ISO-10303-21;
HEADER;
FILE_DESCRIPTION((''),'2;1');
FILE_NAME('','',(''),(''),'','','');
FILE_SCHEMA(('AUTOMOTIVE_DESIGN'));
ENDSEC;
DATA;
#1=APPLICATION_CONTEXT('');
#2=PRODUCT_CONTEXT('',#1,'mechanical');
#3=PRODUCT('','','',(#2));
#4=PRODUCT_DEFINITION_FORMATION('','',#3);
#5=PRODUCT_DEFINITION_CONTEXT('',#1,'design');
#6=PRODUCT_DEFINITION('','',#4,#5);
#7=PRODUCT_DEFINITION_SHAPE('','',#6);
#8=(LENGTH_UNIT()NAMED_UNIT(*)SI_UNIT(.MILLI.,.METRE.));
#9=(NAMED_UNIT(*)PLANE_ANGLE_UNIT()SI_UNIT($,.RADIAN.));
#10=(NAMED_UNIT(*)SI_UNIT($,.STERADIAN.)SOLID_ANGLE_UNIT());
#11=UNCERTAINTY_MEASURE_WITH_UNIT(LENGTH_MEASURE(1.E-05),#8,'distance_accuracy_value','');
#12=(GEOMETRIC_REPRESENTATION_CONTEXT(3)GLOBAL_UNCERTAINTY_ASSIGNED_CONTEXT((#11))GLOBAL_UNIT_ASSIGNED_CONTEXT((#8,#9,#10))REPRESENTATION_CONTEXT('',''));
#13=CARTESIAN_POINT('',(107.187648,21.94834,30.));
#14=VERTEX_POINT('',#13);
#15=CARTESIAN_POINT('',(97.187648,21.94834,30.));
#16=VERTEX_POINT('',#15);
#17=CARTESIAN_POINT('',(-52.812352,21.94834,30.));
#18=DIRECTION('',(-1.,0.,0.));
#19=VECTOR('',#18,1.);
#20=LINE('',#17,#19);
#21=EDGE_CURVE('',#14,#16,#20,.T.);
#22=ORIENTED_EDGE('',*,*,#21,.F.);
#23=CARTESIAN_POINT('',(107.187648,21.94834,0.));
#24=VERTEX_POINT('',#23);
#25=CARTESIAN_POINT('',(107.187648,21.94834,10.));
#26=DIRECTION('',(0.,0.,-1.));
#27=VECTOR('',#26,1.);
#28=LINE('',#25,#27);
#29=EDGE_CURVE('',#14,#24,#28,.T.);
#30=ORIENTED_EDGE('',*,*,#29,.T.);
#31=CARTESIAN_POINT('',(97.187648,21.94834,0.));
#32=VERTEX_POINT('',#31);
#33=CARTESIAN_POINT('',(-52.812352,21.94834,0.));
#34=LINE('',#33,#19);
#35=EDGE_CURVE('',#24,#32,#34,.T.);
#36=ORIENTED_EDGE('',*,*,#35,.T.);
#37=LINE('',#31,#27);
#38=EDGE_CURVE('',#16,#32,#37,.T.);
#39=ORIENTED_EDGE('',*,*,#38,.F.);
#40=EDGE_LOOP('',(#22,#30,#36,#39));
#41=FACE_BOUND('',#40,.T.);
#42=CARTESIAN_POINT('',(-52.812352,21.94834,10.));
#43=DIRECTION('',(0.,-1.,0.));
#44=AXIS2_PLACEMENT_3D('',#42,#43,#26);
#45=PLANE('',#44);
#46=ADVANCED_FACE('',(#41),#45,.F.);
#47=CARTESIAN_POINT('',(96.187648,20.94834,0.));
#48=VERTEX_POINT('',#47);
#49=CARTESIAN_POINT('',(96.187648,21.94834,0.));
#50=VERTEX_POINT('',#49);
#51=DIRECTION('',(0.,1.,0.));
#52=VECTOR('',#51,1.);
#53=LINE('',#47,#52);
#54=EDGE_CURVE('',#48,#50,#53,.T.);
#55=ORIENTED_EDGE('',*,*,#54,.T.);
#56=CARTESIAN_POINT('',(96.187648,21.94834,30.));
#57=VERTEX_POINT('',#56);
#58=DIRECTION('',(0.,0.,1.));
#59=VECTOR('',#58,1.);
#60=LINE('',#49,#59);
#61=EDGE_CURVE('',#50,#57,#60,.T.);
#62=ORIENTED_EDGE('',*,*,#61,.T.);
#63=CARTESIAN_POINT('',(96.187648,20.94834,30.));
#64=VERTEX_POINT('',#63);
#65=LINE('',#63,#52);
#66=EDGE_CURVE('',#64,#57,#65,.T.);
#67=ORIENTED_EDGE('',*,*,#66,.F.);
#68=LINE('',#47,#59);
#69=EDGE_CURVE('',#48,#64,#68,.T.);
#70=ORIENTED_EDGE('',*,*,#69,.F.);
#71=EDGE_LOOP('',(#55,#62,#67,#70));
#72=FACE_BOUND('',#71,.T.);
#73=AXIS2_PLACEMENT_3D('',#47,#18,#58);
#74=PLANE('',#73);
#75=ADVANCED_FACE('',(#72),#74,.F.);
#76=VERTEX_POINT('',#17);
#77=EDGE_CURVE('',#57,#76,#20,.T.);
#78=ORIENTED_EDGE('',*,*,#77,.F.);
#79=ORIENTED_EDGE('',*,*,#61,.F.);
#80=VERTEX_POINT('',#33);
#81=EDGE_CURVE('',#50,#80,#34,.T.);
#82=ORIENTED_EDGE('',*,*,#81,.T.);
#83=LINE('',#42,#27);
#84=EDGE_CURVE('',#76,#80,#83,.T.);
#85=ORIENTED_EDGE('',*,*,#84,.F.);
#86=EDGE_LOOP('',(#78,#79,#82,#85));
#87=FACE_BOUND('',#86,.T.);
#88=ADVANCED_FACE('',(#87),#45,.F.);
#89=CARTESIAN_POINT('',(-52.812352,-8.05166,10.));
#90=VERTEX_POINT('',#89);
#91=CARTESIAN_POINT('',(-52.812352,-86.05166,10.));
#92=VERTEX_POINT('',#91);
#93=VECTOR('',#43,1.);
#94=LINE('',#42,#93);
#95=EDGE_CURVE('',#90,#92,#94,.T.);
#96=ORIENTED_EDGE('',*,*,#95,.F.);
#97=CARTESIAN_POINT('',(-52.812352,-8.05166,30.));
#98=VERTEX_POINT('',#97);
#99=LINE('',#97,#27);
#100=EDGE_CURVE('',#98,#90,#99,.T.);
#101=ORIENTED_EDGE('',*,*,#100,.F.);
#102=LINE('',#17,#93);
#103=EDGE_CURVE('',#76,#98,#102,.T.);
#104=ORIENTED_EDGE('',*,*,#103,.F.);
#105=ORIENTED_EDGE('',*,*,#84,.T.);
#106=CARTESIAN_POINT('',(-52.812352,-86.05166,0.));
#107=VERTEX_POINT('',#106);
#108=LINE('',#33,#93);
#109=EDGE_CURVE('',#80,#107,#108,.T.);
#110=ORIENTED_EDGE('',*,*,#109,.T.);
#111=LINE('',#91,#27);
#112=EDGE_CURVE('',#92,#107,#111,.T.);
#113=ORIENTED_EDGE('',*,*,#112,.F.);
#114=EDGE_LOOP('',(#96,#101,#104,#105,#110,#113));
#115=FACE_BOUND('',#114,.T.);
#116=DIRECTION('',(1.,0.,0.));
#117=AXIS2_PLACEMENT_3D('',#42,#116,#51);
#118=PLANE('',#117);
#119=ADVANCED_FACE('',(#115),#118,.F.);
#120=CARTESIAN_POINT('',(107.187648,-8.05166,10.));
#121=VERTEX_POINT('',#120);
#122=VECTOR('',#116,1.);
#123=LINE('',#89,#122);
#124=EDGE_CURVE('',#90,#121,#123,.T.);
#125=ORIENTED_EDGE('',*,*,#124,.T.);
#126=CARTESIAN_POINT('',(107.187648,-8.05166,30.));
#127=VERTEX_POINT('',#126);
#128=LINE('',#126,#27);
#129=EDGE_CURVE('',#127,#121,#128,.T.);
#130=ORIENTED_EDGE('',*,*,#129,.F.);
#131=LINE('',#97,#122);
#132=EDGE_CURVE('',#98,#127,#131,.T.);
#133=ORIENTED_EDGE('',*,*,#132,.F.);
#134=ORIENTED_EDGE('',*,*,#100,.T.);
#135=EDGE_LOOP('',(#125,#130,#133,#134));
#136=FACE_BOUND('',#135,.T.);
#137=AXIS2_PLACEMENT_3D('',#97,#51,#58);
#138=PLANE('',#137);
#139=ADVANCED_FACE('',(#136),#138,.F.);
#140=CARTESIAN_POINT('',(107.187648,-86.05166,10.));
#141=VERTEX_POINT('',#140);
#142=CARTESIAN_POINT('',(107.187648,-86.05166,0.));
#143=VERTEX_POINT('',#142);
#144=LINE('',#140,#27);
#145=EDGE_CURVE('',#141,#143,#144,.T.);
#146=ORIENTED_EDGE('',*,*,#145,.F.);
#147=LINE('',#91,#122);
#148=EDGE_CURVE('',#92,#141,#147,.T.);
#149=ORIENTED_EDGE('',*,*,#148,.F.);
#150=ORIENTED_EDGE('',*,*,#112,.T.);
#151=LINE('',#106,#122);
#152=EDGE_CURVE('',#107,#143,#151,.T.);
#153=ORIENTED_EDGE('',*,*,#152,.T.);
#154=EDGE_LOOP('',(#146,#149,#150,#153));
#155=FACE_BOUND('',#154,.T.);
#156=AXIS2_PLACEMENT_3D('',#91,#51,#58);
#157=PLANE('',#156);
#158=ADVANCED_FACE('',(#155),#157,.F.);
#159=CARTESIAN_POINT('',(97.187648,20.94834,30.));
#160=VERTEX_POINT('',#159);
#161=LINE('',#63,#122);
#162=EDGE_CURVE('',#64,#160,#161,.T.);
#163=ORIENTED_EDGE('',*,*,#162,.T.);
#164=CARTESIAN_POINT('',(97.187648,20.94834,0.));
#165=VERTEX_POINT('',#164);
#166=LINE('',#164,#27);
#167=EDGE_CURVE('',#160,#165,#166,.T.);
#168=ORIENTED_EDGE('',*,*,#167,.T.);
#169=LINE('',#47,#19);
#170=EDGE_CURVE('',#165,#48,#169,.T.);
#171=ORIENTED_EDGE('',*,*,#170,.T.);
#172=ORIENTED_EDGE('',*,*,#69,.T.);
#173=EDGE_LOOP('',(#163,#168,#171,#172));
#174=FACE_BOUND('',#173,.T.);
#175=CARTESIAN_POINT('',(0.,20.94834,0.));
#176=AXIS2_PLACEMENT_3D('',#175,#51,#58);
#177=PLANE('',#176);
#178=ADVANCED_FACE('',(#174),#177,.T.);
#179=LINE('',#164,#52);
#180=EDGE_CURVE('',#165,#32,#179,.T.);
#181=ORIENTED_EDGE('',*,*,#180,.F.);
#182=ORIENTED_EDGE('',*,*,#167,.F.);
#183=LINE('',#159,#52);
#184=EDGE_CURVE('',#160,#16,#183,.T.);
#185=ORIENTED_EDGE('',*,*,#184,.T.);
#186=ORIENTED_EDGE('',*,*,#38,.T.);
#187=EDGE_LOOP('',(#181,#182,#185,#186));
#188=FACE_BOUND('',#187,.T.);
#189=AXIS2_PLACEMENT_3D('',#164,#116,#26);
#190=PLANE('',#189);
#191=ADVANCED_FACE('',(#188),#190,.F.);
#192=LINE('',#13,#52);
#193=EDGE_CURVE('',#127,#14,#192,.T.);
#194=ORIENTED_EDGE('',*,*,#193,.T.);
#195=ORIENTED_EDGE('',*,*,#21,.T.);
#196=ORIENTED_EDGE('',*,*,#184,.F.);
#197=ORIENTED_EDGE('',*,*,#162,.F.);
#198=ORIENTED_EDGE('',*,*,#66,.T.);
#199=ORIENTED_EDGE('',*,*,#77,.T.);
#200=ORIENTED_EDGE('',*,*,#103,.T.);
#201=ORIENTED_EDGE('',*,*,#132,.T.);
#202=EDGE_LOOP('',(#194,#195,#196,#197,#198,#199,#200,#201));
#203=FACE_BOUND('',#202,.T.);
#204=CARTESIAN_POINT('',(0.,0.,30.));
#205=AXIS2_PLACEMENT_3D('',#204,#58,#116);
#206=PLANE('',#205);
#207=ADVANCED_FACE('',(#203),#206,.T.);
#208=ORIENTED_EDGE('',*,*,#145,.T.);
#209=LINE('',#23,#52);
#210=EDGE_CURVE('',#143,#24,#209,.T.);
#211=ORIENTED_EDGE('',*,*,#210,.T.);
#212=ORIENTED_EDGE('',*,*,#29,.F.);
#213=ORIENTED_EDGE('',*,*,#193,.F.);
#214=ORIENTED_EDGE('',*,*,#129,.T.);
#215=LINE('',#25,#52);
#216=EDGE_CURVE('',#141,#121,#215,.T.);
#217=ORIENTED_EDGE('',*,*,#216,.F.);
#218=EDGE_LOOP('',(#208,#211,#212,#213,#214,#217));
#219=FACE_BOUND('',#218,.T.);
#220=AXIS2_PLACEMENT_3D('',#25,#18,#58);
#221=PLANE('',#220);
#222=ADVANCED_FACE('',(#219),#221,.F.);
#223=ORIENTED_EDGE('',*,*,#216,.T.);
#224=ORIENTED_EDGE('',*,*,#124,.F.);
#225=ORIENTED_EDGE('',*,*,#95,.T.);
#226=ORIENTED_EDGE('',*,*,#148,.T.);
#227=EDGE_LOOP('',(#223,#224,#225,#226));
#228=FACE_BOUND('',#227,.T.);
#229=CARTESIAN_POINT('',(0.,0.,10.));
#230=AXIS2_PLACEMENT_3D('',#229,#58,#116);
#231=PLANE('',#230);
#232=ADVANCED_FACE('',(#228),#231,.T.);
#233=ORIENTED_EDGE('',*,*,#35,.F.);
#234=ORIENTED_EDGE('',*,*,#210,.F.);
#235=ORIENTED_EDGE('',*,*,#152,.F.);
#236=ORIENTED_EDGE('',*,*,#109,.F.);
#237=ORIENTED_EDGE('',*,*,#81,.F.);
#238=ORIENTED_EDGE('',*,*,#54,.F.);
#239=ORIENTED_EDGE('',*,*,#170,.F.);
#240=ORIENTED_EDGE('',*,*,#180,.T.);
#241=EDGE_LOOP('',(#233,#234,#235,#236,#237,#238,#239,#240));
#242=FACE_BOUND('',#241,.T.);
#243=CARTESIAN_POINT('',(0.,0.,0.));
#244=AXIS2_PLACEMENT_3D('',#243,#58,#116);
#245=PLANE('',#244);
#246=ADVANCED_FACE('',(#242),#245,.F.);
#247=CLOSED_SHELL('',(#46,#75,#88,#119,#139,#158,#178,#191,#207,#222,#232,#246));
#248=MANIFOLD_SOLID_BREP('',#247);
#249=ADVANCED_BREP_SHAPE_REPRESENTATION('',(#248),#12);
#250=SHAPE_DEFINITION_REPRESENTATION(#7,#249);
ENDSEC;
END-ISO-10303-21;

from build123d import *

# Parameters (mm, degrees)
ESQUISSE1_W             = 160
ESQUISSE1_H             = 108
BOSS_EXTRU_1_DEPTH      = 10
ESQUISSE2_W             = 160
ESQUISSE2_H             = 30
BOSS_EXTRU_2_DEPTH      = 20
ESQUISSE3_W             = 1
ESQUISSE3_H             = 30
ENL_V_MAT_EXTRU_1_DEPTH = 1


with BuildPart() as part:
    # Esquisse1 → Boss.-Extru.1 (new body)
    with BuildSketch(Plane.XY):
        with Locations((27.187647666, -32.051659751)):
            Rectangle(ESQUISSE1_W, ESQUISSE1_H)
    extrude(amount=BOSS_EXTRU_1_DEPTH)

    # Esquisse2 → Boss.-Extru.2 (add)
    with BuildSketch(Plane.XY.offset(10)):
        with Locations((27.187647666, 6.948340249)):
            Rectangle(ESQUISSE2_W, ESQUISSE2_H)
    extrude(amount=BOSS_EXTRU_2_DEPTH)

    # Esquisse3 → Enlèv. mat.-Extru.1 (cut)
    with BuildSketch(Plane(origin=(0, 21.948340249, 0), x_dir=(1, 0, 0), z_dir=(0, 1, 0))):
        with Locations((96.687647666, -15)):
            Rectangle(ESQUISSE3_W, ESQUISSE3_H)
    extrude(amount=-ENL_V_MAT_EXTRU_1_DEPTH, mode=Mode.SUBTRACT)


solid = part.part
